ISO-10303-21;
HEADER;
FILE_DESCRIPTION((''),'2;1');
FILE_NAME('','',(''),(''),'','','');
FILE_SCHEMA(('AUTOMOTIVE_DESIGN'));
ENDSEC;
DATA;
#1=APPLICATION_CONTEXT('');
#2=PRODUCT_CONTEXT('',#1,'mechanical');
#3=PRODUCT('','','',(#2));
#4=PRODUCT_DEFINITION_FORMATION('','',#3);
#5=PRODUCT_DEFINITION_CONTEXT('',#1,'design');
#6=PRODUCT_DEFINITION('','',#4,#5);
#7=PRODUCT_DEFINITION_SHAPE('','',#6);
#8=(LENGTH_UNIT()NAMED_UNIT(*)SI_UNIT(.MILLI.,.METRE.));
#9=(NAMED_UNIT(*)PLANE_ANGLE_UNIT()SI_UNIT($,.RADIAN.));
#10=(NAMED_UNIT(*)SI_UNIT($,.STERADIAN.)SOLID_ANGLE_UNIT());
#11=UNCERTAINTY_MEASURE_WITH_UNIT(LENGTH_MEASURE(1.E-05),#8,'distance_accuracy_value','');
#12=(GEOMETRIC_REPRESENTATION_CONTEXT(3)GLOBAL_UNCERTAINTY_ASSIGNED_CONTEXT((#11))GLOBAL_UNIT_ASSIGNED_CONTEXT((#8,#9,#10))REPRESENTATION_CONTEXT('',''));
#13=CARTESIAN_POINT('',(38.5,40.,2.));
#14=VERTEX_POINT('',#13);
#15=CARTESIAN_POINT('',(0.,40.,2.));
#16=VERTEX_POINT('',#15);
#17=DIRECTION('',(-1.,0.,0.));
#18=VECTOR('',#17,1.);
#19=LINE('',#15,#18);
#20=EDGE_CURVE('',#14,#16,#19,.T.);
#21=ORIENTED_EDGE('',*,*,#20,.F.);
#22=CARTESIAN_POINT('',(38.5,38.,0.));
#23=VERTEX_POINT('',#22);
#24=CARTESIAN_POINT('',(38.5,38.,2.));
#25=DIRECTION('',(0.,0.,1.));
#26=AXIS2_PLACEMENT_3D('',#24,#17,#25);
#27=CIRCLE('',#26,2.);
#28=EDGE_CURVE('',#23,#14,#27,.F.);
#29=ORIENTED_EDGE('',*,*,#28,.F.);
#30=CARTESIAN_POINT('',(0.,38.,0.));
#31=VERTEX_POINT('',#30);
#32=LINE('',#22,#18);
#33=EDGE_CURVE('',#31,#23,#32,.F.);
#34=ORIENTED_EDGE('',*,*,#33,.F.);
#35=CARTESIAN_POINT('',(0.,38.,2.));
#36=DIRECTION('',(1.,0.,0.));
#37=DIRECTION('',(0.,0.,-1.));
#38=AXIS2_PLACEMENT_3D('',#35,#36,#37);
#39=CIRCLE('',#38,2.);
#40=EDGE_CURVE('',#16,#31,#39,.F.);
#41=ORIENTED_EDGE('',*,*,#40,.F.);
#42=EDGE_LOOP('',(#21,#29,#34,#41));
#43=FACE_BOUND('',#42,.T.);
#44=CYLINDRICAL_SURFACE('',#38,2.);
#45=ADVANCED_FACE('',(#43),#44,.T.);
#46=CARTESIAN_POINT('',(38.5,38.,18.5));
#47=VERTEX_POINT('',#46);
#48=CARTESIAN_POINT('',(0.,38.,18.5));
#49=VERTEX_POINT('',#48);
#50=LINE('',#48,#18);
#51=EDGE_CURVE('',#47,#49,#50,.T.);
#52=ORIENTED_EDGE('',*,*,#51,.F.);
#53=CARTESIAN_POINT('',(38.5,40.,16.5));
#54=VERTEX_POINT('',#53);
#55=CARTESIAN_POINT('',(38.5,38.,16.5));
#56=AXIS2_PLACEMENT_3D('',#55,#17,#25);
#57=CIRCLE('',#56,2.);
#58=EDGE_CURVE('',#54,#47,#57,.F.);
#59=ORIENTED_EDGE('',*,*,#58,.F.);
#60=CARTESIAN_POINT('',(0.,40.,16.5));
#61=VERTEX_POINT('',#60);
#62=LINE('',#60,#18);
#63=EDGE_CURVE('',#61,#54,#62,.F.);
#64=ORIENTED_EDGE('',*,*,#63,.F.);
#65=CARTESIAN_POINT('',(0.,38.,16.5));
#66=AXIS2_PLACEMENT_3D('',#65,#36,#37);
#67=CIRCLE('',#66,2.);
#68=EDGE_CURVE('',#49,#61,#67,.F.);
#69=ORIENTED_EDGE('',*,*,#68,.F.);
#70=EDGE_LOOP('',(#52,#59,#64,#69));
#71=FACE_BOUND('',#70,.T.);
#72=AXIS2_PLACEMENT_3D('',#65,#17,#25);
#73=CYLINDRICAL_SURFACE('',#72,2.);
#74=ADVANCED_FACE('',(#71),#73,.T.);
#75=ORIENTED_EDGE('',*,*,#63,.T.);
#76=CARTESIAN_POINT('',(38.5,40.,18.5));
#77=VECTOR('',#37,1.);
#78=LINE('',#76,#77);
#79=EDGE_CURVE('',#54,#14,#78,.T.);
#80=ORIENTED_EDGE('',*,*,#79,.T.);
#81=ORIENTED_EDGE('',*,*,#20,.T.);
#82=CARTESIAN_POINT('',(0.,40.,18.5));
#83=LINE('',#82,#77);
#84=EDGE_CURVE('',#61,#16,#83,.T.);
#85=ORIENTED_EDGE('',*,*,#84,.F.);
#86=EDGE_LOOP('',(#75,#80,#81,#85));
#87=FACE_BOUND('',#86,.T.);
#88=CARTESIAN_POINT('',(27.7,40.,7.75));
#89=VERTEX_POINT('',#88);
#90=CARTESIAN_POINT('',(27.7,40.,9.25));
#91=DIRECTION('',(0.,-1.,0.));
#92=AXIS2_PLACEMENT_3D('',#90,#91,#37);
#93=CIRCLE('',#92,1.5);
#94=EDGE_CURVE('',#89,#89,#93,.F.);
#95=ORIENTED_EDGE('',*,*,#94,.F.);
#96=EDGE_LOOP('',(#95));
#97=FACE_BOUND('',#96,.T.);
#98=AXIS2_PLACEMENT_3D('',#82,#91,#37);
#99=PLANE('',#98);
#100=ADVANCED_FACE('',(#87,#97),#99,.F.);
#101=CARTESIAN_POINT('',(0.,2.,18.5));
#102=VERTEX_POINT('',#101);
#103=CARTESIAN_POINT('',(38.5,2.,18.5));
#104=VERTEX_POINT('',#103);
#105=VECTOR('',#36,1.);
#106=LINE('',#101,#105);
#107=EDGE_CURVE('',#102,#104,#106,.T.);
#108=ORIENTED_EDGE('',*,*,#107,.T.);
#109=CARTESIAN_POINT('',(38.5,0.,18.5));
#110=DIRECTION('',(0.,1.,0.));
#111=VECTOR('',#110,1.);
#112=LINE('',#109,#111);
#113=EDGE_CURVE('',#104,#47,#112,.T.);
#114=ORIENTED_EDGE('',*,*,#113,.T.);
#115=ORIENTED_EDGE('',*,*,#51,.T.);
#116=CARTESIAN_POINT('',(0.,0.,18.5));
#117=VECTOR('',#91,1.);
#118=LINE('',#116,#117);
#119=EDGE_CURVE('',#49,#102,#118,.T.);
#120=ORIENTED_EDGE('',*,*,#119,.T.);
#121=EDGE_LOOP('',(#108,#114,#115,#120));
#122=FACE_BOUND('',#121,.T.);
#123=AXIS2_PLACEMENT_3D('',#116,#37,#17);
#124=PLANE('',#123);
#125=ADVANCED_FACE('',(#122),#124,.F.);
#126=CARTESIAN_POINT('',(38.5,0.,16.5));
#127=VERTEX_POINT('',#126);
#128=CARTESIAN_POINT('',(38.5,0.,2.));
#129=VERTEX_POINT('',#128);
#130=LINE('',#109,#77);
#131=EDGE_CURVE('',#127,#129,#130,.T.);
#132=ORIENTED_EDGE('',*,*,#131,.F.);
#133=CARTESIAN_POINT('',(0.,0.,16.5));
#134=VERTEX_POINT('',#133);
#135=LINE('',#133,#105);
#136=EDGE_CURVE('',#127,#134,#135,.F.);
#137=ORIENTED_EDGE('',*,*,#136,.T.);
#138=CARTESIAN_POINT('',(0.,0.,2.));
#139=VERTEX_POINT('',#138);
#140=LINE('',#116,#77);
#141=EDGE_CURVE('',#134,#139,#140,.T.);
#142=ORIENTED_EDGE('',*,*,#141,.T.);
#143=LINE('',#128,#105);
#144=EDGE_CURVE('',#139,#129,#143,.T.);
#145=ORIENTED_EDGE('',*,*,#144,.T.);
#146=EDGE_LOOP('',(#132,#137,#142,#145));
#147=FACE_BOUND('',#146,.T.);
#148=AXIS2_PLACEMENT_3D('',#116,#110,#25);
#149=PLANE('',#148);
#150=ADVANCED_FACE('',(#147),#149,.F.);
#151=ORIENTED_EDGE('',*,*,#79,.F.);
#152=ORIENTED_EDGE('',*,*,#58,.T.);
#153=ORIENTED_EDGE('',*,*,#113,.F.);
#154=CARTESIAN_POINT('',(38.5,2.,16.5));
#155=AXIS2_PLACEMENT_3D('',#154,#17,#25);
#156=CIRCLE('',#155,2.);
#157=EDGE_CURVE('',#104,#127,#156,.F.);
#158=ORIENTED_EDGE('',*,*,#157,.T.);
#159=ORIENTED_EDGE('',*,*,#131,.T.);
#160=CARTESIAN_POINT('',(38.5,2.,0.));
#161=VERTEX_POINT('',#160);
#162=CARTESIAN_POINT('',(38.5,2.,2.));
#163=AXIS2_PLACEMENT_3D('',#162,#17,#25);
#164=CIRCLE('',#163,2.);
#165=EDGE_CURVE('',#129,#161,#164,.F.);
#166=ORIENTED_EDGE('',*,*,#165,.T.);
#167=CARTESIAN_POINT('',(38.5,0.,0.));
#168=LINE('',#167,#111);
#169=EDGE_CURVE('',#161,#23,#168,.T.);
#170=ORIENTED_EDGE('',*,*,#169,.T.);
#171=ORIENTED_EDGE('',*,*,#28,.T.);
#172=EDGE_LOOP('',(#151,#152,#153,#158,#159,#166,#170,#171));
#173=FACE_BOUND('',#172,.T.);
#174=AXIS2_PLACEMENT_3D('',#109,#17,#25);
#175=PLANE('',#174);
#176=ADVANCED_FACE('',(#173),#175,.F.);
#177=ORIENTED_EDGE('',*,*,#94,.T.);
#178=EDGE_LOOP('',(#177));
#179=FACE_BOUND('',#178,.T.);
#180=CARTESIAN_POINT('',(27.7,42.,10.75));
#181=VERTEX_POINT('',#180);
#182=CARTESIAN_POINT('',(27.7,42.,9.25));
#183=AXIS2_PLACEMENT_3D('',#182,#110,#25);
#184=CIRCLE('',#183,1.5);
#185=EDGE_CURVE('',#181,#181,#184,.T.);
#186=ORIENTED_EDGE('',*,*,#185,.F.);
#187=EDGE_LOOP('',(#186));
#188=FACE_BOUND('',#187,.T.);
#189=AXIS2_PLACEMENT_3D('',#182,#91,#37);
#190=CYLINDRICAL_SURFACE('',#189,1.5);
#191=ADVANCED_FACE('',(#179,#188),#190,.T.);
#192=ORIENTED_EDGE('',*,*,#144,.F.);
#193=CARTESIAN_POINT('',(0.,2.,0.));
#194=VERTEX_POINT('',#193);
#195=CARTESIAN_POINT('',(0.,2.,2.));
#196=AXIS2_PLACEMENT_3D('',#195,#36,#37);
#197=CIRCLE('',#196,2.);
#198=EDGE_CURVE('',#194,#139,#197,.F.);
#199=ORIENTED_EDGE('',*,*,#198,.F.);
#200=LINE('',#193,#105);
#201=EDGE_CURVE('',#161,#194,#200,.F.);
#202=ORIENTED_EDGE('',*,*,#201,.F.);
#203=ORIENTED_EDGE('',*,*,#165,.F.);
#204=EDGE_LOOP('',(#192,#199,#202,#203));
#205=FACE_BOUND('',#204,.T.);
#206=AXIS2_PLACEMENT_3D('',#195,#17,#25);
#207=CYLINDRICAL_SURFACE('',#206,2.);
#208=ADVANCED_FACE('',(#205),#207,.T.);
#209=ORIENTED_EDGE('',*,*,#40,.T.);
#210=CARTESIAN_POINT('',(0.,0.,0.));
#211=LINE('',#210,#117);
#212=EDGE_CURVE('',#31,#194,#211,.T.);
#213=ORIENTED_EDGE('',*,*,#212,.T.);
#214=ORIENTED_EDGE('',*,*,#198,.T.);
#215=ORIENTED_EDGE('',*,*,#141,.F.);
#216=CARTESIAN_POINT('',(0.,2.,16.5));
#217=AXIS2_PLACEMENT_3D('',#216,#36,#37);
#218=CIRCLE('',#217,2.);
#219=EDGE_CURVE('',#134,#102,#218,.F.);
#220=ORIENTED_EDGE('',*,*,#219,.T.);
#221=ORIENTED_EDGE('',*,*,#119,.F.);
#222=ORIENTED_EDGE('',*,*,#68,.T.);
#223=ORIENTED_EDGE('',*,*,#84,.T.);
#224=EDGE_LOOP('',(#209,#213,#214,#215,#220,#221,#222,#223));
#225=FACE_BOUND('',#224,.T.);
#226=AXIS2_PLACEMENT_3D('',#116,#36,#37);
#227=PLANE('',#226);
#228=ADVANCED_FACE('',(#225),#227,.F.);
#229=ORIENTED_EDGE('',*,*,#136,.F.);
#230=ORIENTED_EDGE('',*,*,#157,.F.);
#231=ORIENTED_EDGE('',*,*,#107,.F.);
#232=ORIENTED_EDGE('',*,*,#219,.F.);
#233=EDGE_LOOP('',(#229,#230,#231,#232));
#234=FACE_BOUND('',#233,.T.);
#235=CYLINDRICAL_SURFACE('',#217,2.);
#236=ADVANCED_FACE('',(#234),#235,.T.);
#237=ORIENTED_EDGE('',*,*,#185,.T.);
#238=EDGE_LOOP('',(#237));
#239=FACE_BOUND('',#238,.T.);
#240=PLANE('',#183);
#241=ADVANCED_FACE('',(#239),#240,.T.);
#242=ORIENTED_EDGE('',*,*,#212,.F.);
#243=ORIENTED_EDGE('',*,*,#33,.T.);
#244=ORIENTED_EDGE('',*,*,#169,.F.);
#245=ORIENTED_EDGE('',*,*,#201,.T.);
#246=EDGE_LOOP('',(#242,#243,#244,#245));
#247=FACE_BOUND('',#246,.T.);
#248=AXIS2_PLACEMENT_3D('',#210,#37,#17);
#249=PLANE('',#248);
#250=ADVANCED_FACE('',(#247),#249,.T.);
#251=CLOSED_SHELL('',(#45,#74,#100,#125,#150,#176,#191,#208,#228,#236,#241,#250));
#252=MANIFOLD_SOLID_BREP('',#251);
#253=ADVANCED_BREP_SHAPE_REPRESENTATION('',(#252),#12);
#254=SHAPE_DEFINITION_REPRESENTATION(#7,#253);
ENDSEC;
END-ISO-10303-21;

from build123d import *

# Parameters (mm, degrees)
SKETCH2_W           = 38.5
SKETCH2_H           = 40
BOSS_EXTRUDE1_DEPTH = 18.5
FILLET1_R           = 2
SKETCH3_R           = 1.5
BOSS_EXTRUDE2_DEPTH = 2


with BuildPart() as part:
    # Sketch2 → Boss-Extrude1 (new body)
    with BuildSketch(Plane.XY):
        with Locations((19.25, 20)):
            Rectangle(SKETCH2_W, SKETCH2_H)
    extrude(amount=BOSS_EXTRUDE1_DEPTH)

    # Fillet1
    fillet1_edges = [part.edges().sort_by_distance(p)[0] for p in [
        (19.25, 40, 18.5),
        (19.25, 40, 0),
        (19.25, 0, 0),
        (19.25, 0, 18.5),
    ]]
    fillet(fillet1_edges, radius=FILLET1_R)

    # Sketch3 → Boss-Extrude2 (add)
    with BuildSketch(Plane(origin=(0, 40, 0), x_dir=(1, 0, 0), z_dir=(0, 1, 0))):
        with Locations((27.7, -9.25)):
            Circle(SKETCH3_R)
    extrude(amount=BOSS_EXTRUDE2_DEPTH)


solid = part.part
